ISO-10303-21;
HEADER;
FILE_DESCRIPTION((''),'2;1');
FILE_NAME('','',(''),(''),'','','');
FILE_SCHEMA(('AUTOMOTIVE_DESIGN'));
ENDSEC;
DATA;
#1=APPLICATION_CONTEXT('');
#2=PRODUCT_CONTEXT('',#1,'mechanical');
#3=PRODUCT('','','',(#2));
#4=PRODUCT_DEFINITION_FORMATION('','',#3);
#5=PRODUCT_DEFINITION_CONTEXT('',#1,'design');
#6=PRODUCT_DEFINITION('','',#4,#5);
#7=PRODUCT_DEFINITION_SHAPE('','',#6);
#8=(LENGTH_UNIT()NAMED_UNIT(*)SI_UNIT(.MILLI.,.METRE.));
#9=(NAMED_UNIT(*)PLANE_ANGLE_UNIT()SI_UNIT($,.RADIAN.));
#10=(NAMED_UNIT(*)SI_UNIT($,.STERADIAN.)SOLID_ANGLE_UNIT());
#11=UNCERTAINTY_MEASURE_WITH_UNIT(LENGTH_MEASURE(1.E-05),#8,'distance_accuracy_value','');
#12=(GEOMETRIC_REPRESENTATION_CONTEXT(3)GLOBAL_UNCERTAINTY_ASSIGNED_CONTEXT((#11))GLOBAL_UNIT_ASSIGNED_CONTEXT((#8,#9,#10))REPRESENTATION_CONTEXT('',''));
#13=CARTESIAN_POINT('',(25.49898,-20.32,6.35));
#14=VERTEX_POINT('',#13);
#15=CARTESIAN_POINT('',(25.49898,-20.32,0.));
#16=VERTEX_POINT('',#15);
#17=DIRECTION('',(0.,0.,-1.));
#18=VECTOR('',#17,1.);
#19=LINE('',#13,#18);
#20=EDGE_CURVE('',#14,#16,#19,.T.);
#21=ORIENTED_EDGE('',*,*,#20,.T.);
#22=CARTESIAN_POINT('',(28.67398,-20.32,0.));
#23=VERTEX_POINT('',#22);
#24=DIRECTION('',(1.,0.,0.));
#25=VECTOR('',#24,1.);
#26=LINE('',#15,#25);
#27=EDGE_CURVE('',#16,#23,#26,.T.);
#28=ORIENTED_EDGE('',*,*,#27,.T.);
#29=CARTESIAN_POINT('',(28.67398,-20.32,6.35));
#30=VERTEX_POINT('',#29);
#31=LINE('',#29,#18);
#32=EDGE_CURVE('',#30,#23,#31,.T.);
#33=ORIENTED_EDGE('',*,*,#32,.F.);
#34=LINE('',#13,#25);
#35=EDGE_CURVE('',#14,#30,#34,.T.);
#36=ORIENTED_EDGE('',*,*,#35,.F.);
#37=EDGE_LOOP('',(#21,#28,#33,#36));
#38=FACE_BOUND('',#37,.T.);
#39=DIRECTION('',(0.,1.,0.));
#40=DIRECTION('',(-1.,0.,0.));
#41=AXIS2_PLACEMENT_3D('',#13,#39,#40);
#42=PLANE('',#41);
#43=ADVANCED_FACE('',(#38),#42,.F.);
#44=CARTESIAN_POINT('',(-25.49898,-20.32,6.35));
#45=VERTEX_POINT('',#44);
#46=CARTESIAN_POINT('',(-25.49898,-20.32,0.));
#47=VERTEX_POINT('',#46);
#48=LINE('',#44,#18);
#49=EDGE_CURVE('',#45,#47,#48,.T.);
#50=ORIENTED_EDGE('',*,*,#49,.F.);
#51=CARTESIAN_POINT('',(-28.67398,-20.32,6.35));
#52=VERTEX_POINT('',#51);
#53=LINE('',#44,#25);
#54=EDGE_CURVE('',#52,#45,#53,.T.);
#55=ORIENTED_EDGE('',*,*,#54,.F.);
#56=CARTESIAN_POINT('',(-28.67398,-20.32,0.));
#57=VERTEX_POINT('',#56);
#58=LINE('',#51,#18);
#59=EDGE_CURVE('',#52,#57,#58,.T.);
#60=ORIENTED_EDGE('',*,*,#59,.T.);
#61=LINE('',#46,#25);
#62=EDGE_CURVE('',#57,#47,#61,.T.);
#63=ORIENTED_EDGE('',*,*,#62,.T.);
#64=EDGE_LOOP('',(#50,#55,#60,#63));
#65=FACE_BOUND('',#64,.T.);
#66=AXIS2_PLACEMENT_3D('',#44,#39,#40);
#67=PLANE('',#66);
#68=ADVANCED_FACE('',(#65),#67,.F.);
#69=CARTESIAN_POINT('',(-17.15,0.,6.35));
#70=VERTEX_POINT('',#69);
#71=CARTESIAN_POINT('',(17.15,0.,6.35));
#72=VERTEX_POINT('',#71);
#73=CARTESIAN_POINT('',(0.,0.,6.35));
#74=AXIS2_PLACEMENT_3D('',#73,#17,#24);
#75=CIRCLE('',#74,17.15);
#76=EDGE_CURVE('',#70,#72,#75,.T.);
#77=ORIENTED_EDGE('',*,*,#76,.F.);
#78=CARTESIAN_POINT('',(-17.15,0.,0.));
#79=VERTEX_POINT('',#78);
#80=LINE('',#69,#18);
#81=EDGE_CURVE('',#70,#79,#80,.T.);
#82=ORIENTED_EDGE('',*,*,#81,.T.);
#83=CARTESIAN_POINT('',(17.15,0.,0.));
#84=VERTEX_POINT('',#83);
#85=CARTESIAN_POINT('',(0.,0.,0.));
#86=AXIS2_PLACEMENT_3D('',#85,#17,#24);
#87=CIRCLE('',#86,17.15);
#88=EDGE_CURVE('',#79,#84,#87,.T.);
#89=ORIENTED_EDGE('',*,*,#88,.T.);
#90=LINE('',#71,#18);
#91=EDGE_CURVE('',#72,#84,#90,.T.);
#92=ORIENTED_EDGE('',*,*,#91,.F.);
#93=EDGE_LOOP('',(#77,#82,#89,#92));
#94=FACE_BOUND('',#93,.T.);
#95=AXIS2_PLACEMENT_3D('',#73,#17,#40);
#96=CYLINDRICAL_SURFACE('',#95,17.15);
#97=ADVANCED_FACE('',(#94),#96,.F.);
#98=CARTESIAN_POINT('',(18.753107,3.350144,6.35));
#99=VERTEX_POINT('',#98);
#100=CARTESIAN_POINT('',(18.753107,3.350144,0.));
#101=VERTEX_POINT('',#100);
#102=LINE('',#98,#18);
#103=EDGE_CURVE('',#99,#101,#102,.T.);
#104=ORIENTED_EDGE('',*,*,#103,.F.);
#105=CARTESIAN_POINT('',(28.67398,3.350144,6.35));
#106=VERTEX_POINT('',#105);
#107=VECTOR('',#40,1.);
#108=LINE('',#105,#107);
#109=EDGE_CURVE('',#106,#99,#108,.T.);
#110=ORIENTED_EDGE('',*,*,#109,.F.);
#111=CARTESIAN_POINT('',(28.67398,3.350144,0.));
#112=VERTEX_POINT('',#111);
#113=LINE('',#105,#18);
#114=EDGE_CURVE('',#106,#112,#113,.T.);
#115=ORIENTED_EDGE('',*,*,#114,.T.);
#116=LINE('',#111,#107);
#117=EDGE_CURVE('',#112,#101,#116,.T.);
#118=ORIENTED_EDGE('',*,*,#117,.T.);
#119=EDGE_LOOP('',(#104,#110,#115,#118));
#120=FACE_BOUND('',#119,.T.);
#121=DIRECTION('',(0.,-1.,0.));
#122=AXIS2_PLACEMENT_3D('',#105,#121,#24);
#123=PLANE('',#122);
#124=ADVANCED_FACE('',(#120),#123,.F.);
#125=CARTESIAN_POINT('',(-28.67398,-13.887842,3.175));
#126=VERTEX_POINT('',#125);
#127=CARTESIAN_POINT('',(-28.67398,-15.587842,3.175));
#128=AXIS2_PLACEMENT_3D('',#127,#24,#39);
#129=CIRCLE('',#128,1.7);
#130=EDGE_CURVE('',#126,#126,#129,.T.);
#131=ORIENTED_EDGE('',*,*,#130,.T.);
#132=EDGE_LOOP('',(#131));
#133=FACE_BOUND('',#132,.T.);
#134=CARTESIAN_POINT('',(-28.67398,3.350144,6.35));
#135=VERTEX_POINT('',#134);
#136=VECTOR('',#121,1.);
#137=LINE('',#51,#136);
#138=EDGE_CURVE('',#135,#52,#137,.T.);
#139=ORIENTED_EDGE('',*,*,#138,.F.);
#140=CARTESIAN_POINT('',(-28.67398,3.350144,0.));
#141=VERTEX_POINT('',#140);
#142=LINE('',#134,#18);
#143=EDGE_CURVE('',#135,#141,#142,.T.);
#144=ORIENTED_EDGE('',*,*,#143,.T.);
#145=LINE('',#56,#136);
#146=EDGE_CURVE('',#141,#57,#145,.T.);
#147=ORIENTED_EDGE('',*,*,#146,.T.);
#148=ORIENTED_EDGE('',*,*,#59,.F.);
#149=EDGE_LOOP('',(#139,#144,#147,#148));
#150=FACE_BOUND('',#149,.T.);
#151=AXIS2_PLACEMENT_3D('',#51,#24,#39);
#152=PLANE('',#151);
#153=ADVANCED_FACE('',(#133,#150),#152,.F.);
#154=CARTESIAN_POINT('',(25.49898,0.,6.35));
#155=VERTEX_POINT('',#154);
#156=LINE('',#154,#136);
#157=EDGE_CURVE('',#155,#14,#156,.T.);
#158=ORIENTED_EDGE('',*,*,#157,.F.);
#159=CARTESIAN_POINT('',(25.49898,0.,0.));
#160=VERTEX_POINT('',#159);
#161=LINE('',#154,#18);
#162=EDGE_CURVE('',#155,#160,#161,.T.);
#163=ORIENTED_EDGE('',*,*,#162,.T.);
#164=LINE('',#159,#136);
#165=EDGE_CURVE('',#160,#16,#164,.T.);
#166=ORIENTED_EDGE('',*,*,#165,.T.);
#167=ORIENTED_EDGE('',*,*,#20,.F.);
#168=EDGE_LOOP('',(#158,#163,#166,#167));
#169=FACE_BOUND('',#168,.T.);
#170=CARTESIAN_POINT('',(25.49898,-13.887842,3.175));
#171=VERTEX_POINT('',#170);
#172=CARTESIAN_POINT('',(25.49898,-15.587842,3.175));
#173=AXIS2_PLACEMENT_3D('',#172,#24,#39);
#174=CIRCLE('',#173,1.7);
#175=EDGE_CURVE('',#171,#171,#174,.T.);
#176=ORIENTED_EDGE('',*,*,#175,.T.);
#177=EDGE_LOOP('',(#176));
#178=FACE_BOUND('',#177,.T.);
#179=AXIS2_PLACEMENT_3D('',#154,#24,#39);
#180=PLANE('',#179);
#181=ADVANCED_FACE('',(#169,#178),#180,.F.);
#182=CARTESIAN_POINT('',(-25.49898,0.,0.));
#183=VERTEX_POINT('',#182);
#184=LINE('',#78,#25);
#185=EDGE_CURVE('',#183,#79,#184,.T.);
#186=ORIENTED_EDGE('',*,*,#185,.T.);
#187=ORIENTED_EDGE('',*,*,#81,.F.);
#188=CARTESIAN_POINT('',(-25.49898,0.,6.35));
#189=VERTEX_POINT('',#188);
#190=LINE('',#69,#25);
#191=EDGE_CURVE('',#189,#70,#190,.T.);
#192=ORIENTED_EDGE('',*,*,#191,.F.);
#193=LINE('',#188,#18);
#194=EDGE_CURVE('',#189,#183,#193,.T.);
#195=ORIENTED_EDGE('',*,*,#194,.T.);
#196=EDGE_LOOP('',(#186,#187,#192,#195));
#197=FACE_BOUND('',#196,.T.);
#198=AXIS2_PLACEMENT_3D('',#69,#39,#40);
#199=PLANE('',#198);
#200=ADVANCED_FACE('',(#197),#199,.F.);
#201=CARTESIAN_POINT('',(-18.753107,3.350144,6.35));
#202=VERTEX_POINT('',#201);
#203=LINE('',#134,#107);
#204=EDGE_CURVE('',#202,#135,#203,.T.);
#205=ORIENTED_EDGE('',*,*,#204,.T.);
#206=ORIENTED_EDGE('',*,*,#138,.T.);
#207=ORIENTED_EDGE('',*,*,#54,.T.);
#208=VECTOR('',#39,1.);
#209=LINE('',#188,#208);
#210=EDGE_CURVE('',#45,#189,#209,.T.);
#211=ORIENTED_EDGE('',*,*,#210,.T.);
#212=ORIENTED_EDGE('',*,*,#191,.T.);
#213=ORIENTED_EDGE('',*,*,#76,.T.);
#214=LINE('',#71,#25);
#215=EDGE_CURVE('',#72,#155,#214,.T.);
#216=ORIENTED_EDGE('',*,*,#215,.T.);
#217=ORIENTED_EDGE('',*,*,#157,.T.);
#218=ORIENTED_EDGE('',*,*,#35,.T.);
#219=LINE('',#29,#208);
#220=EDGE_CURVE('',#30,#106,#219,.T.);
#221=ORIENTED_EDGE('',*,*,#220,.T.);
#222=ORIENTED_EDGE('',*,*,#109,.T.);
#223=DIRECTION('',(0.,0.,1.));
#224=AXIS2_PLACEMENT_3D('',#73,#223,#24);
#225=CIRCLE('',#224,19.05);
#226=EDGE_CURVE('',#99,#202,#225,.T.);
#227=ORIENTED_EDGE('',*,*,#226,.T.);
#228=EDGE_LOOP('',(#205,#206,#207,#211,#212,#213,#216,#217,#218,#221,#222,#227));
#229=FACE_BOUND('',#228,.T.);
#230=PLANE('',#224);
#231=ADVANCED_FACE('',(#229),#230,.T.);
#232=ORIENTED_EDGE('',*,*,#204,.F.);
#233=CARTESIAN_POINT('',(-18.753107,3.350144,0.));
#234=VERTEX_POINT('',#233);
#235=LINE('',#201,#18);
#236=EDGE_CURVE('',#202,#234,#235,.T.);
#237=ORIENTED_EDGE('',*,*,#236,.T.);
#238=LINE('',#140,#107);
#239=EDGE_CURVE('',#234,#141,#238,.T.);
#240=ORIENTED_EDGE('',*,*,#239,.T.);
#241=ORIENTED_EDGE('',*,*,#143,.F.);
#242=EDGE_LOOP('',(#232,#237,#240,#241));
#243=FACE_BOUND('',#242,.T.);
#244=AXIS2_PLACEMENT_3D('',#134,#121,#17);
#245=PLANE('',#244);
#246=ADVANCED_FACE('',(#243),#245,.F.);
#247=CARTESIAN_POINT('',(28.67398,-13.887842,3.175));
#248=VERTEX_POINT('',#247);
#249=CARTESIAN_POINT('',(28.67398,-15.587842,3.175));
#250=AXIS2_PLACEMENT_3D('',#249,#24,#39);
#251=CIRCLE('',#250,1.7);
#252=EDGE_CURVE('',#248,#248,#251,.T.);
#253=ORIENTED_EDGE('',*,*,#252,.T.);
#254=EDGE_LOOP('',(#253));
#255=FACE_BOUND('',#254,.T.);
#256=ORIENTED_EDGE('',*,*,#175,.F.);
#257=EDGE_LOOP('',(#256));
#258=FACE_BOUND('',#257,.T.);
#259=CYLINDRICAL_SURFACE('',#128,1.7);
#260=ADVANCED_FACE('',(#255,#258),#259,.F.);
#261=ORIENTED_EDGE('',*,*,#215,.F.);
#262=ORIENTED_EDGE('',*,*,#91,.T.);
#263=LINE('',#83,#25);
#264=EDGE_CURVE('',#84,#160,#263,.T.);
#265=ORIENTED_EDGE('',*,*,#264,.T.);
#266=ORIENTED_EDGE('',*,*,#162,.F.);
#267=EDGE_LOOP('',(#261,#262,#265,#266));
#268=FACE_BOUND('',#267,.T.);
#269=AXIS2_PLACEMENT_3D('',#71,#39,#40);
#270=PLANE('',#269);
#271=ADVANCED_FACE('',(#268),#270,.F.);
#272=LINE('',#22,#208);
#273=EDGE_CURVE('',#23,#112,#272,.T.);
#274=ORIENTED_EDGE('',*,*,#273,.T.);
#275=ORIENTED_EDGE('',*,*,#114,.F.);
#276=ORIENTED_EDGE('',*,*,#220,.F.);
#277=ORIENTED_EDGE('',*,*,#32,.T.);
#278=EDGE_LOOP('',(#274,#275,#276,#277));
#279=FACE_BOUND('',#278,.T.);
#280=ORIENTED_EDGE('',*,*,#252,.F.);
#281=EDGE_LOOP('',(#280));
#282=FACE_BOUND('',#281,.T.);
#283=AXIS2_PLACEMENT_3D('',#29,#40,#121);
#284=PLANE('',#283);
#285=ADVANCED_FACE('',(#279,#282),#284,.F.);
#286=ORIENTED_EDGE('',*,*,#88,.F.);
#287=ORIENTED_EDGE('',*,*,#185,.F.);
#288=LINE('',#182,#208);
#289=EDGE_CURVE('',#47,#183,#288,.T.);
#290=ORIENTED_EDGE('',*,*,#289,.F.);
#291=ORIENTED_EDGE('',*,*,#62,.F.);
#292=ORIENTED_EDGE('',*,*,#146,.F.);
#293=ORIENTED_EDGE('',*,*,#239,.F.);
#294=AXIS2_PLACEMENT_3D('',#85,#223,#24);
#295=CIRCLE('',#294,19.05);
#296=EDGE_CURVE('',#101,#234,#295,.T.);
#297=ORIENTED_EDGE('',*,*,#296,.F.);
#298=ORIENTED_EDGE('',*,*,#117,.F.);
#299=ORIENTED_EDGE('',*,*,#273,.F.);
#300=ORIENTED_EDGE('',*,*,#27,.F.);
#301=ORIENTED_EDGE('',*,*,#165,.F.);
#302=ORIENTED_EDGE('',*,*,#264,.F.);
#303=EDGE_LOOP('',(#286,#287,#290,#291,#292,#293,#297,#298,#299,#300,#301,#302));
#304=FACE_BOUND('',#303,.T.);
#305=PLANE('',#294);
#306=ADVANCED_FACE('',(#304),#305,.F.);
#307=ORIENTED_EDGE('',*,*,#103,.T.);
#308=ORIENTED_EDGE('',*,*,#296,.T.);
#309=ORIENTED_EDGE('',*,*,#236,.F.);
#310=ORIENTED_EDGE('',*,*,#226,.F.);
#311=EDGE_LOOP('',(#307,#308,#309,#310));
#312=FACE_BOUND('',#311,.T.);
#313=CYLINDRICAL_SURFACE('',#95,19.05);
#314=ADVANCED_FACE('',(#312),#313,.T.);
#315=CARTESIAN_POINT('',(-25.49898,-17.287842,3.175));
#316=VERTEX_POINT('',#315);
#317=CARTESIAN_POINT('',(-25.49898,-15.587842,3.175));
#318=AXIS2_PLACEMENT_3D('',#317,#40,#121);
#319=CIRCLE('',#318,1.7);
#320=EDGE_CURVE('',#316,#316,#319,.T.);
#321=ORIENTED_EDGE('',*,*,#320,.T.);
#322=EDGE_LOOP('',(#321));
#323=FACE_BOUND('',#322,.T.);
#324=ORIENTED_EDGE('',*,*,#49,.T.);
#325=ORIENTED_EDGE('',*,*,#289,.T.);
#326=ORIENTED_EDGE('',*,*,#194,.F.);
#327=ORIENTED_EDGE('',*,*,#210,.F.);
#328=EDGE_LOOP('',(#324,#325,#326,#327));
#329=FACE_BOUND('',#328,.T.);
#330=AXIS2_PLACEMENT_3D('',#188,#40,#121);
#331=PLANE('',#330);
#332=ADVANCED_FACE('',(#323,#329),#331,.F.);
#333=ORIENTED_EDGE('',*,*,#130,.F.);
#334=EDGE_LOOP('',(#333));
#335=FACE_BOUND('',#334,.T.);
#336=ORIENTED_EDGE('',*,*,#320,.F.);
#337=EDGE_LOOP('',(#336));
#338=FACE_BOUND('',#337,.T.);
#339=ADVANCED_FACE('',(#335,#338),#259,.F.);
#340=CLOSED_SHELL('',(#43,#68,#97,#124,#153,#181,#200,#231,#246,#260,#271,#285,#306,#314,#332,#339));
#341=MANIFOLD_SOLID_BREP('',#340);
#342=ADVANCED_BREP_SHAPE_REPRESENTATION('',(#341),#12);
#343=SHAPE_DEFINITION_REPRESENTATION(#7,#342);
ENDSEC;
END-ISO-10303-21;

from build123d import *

# Parameters (mm, degrees)
BOSS_EXTRUDE1_DEPTH = 6.35
SKETCH2_R           = 1.700000029
CUT_EXTRUDE1_DEPTH  = 62.171998628


with BuildPart() as part:
    # Sketch1 → Boss-Extrude1 (new body)
    with BuildSketch(Plane.XY):
        with BuildLine():
            Line((-17.15, 0), (-25.49898, 0))
            Line((-25.49898, 0), (-25.49898, -20.32))
            Line((-25.49898, -20.32), (-28.67398, -20.32))
            Line((-28.67398, -20.32), (-28.67398, 3.350143749))
            Line((-28.67398, 3.350143749), (-18.753107392, 3.350143749))
            ThreePointArc((-18.753107392, 3.350143749), (0, 19.05), (18.753107392, 3.350143749))
            Line((18.753107392, 3.350143749), (28.67398, 3.350143749))
            Line((28.67398, 3.350143749), (28.67398, -20.32))
            Line((28.67398, -20.32), (25.49898, -20.32))
            Line((25.49898, -20.32), (25.49898, 0))
            Line((25.49898, 0), (17.15, 0))
            ThreePointArc((17.15, 0), (0, 17.15), (-17.15, 0))
        make_face()
    extrude(amount=BOSS_EXTRUDE1_DEPTH)

    # Sketch2 → Cut-Extrude1 (cut, through all)
    with BuildSketch(Plane(origin=(28.67398, 0, 0), x_dir=(0, 0, -1), z_dir=(1, 0, 0))):
        with Locations(Location((-3.175, -15.587842251, 0), (0, 0, 90))):
            Circle(SKETCH2_R)
    extrude(amount=-CUT_EXTRUDE1_DEPTH, mode=Mode.SUBTRACT)


solid = part.part
